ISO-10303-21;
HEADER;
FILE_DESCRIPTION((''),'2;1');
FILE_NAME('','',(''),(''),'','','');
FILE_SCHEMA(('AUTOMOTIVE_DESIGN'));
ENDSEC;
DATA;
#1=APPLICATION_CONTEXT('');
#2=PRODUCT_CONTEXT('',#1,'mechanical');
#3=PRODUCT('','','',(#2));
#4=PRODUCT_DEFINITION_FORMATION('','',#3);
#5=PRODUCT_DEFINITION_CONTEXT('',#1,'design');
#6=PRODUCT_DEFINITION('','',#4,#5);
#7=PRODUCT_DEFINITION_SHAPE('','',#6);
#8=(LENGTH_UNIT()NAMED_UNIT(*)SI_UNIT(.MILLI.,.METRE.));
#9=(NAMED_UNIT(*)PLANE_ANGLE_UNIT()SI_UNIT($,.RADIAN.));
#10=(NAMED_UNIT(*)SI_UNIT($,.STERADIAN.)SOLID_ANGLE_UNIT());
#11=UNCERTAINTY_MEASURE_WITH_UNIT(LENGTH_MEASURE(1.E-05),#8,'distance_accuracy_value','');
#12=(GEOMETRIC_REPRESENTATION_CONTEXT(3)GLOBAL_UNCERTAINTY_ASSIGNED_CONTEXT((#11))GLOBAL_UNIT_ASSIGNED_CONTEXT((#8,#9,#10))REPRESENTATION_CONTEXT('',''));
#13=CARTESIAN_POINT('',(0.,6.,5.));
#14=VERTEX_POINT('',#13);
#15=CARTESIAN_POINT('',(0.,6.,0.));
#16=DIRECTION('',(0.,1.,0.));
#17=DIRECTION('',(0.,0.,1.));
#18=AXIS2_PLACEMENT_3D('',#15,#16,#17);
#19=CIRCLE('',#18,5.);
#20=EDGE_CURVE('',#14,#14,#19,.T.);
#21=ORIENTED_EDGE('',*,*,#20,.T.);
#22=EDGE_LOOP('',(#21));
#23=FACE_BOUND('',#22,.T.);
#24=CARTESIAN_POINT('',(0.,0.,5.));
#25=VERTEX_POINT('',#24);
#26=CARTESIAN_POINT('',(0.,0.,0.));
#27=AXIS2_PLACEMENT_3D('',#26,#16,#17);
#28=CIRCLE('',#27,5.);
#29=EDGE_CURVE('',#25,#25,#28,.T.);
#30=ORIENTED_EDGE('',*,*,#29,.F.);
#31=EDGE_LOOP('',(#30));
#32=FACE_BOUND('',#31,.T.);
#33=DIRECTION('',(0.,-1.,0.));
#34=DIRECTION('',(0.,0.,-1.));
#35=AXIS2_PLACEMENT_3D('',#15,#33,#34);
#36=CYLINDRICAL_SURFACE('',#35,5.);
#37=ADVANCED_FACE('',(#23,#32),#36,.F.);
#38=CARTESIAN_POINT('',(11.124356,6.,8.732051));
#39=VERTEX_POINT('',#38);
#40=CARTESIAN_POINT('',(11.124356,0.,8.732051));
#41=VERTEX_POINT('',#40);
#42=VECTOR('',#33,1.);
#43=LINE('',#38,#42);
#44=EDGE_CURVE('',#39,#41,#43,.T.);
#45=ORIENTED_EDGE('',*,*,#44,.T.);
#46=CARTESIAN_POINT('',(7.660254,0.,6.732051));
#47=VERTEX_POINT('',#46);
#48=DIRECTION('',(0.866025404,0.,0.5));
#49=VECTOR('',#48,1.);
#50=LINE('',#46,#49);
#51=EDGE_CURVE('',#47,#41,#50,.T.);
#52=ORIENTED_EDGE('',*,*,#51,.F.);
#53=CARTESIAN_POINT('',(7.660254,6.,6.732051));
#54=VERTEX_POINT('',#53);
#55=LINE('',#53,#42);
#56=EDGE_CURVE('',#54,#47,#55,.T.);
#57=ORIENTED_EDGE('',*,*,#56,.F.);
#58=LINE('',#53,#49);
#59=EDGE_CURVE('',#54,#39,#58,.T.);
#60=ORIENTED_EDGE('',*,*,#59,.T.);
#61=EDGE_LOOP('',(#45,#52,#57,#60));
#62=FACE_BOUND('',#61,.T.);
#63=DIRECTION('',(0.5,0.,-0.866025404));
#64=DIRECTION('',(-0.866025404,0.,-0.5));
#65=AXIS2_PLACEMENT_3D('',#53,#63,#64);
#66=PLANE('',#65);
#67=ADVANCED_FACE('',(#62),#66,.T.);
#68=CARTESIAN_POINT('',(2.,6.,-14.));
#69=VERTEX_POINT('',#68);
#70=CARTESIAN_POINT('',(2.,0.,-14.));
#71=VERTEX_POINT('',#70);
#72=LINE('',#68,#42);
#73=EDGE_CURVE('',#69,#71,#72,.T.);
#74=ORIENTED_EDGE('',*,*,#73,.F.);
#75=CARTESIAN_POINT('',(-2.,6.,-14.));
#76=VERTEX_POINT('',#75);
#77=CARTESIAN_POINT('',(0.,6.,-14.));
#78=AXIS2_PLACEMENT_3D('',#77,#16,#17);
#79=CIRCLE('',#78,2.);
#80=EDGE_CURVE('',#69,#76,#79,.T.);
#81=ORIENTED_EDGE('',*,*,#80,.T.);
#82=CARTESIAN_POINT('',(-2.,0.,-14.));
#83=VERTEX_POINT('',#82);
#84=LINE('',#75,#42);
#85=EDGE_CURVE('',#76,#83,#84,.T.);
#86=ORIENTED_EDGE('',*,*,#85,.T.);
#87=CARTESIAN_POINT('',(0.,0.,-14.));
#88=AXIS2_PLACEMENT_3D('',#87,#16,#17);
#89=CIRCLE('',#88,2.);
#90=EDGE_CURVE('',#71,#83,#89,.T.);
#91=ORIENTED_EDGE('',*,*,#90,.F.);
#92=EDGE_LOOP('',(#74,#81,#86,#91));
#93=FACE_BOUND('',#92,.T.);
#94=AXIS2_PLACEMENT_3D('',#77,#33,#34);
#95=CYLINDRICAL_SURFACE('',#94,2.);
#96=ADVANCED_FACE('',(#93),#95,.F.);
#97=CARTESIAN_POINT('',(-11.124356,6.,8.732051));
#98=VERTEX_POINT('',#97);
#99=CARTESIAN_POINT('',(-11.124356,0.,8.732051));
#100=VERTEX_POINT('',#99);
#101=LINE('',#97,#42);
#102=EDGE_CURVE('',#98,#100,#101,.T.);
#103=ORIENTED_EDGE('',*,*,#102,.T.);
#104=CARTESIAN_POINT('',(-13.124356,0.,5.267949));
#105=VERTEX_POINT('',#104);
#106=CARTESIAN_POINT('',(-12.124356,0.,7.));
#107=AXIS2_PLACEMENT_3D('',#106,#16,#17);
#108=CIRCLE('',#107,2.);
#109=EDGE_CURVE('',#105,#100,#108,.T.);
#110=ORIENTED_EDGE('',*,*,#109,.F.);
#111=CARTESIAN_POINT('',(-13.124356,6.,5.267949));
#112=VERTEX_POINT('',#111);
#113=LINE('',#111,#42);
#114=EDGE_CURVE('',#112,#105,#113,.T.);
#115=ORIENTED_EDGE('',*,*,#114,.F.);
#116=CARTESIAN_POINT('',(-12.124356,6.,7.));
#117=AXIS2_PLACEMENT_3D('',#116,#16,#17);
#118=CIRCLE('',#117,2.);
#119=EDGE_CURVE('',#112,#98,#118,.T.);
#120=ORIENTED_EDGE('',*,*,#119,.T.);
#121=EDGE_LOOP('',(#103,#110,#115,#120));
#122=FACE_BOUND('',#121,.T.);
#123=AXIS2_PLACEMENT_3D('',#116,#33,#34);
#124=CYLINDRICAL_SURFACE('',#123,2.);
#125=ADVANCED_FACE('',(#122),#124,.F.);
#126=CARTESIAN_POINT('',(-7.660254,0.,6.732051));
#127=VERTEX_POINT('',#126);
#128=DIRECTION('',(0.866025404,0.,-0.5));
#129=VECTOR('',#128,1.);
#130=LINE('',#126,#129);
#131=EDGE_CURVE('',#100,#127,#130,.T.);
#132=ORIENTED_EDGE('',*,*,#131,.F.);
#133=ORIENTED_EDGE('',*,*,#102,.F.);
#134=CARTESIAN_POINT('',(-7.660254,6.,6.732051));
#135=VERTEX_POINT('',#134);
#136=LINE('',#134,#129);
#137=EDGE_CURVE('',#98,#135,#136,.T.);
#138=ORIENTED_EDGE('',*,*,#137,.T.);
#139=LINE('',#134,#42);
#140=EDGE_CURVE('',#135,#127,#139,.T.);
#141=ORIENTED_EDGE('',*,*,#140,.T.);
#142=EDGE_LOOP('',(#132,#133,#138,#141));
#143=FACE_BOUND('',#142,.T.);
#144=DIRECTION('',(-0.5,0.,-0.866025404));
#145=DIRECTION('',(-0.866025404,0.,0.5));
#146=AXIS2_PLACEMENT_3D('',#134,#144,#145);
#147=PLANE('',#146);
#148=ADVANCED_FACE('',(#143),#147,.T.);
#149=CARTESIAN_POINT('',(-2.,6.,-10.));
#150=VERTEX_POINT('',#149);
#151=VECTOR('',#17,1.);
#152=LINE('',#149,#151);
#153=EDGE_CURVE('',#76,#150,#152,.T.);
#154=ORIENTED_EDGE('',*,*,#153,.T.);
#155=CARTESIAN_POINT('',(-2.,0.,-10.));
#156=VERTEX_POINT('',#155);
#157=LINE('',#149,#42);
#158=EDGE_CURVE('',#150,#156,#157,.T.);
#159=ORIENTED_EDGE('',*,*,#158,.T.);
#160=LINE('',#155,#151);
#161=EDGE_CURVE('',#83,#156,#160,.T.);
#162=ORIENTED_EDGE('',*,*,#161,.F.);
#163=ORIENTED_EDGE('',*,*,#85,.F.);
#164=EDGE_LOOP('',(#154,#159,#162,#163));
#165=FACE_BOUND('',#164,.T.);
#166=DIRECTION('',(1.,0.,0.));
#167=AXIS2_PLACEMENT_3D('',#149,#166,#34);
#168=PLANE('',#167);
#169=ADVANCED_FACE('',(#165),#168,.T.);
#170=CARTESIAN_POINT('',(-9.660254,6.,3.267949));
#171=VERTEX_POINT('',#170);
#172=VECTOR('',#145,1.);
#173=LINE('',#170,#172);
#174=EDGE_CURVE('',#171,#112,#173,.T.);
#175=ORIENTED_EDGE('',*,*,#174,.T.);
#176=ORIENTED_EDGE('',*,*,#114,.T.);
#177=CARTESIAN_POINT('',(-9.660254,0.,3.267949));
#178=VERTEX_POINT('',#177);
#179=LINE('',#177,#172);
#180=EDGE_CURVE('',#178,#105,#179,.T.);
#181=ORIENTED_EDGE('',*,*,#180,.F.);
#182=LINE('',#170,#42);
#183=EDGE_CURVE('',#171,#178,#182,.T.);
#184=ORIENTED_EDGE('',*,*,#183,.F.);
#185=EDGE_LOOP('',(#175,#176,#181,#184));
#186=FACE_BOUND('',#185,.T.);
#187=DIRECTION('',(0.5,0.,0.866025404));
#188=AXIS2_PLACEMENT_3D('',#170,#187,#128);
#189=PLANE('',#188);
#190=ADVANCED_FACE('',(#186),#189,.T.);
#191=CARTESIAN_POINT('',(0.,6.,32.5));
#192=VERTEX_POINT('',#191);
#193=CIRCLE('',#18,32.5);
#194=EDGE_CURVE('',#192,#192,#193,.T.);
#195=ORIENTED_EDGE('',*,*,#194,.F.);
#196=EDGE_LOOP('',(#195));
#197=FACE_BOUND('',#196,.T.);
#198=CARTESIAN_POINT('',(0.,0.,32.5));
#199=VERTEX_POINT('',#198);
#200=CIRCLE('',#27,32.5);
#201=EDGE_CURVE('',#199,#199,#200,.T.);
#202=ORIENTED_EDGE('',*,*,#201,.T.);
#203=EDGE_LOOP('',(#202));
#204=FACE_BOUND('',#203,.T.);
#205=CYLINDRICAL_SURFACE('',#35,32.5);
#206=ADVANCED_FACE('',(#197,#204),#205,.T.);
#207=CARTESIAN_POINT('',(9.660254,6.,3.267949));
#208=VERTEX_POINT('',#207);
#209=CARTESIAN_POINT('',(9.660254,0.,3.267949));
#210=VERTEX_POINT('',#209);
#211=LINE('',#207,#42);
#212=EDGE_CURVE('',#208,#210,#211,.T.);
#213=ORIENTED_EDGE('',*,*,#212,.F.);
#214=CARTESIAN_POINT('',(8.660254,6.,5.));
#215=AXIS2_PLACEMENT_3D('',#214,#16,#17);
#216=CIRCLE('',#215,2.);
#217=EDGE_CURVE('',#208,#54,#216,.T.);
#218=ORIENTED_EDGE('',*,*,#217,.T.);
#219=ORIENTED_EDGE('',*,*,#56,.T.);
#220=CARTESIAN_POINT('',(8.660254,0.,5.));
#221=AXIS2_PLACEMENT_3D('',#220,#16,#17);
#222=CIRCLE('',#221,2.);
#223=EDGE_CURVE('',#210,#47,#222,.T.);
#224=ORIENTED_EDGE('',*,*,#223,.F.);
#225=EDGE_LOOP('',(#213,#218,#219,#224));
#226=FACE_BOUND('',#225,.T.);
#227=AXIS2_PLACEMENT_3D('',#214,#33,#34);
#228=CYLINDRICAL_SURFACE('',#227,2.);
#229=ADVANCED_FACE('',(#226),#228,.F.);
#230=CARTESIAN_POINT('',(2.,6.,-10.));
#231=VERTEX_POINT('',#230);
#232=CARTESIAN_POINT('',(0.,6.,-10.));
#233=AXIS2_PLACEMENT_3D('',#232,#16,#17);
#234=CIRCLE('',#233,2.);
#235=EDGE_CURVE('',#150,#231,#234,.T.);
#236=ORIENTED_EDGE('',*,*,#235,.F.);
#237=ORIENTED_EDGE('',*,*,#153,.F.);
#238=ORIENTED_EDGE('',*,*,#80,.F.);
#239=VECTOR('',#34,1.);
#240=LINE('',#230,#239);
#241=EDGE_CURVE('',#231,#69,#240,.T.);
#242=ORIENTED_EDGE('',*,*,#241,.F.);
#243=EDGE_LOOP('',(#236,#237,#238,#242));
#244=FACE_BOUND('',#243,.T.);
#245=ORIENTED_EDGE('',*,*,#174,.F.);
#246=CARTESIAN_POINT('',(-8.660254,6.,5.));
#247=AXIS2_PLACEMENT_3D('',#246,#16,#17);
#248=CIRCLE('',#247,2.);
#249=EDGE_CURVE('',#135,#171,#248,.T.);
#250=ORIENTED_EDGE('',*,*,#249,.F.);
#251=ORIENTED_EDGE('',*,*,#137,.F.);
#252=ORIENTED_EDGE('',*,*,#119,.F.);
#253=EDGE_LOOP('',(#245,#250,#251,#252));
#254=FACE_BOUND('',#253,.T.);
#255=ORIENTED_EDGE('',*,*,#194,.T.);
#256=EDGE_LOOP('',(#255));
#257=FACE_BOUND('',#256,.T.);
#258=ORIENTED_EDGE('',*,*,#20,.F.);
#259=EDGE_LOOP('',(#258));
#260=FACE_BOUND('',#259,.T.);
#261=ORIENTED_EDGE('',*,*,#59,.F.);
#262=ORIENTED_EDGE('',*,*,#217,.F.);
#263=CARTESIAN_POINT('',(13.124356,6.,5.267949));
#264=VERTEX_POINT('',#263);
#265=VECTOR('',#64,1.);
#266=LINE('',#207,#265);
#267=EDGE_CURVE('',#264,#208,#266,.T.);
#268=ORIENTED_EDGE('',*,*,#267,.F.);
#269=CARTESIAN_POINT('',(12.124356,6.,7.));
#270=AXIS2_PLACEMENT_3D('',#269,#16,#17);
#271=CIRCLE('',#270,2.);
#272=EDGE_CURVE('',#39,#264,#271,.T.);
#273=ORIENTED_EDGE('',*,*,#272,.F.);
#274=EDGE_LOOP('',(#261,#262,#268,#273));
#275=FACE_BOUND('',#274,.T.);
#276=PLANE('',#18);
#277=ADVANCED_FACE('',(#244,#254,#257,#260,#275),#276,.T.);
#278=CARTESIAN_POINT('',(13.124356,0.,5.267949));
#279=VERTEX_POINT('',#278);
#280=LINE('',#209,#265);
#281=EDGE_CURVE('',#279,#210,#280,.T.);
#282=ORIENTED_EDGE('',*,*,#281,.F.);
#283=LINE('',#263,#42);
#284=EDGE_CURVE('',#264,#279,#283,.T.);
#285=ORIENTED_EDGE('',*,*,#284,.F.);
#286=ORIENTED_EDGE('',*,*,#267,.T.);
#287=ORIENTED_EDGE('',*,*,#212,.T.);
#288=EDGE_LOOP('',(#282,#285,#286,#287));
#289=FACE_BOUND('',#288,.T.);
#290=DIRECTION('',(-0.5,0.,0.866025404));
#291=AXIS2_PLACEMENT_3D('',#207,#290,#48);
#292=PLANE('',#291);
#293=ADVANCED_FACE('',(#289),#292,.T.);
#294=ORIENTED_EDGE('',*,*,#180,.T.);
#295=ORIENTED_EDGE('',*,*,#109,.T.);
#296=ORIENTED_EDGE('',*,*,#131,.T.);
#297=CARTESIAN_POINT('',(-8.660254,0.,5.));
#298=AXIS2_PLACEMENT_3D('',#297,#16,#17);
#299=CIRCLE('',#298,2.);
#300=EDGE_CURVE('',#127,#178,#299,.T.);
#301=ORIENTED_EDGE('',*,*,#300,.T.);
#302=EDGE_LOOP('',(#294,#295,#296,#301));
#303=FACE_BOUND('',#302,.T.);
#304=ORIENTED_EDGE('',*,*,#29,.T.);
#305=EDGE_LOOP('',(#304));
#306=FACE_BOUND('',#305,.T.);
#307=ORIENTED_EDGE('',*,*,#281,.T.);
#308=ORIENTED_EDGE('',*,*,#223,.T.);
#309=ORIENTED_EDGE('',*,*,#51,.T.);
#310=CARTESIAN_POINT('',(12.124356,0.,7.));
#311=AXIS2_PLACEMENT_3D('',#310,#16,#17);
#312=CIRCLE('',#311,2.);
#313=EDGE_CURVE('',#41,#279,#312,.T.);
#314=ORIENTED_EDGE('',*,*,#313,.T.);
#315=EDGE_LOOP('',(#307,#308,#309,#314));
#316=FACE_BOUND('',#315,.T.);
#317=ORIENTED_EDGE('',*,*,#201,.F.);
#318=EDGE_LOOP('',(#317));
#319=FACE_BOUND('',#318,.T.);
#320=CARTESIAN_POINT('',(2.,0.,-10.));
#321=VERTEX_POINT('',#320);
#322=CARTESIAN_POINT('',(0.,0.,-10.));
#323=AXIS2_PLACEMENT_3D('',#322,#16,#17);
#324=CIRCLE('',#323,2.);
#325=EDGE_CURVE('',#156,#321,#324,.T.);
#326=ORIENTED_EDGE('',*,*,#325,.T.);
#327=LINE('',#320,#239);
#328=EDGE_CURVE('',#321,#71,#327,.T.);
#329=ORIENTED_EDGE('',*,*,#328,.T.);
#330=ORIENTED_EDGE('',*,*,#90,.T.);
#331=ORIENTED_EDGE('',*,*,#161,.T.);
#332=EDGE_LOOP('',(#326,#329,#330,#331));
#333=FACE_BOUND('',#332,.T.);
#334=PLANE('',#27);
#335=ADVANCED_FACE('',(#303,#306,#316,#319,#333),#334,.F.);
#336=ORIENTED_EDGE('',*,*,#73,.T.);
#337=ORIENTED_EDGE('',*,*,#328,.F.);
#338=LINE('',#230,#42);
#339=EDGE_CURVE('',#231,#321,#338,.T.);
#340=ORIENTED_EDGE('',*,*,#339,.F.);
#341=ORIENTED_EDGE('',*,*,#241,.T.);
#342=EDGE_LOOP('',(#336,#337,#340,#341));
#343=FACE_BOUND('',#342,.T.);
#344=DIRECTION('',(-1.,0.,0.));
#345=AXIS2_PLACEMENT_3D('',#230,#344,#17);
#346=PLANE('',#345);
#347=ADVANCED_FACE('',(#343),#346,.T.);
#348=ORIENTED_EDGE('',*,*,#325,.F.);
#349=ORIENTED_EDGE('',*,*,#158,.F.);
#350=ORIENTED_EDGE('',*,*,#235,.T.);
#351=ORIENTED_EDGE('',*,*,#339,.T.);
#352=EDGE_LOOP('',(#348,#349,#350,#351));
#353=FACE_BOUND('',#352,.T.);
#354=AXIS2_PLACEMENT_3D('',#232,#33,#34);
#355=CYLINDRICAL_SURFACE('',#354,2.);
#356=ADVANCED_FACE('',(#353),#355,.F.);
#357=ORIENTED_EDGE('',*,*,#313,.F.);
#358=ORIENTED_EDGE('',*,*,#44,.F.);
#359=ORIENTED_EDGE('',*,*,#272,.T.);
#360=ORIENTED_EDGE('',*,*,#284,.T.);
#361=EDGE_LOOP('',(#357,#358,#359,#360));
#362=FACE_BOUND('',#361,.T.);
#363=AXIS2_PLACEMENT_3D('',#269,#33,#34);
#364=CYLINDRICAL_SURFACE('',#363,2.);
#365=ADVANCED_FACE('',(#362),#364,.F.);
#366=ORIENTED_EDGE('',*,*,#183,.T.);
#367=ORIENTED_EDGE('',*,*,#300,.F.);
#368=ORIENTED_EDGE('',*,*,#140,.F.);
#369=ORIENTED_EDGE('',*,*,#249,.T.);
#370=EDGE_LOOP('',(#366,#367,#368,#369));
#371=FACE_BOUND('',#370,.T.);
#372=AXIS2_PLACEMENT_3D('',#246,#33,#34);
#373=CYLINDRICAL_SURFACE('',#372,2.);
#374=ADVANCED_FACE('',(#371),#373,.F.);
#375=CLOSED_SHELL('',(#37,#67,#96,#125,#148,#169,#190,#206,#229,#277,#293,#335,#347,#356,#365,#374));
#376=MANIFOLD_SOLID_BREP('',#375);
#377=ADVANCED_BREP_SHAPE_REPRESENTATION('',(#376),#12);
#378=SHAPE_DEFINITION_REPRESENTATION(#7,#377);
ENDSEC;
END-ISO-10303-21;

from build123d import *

# Parameters (mm, degrees)
SKETCH1_R           = 32.5
SKETCH1_R_2         = 5
BOSS_EXTRUDE1_DEPTH = 6


with BuildPart() as part:
    # Sketch1 → Boss-Extrude1 (new body)
    with BuildSketch(Plane(origin=(0, 0, 0), x_dir=(1, 0, 0), z_dir=(0, 1, 0))):
        with Locations(Location((0, 0, 0), (0, 0, 270))):
            Circle(SKETCH1_R)
        with Locations(Location((0, 0, 0), (0, 0, 270))):
            Circle(SKETCH1_R_2, mode=Mode.SUBTRACT)
        with BuildLine():
            Line((-2, 10), (-2, 14))
            ThreePointArc((-2, 14), (0, 16), (2, 14))
            Line((2, 14), (2, 10))
            ThreePointArc((2, 10), (0, 8), (-2, 10))
        make_face(mode=Mode.SUBTRACT)
        with BuildLine():
            Line((9.660254038, -3.267949192), (13.124355653, -5.267949192))
            ThreePointArc((13.124355653, -5.267949192), (13.856406461, -8), (11.124355653, -8.732050808))
            Line((11.124355653, -8.732050808), (7.660254038, -6.732050808))
            ThreePointArc((7.660254038, -6.732050808), (6.92820323, -4), (9.660254038, -3.267949192))
        make_face(mode=Mode.SUBTRACT)
        with BuildLine():
            Line((-7.660254038, -6.732050808), (-11.124355653, -8.732050808))
            ThreePointArc((-11.124355653, -8.732050808), (-13.856406461, -8), (-13.124355653, -5.267949192))
            Line((-13.124355653, -5.267949192), (-9.660254038, -3.267949192))
            ThreePointArc((-9.660254038, -3.267949192), (-6.92820323, -4), (-7.660254038, -6.732050808))
        make_face(mode=Mode.SUBTRACT)
    extrude(amount=BOSS_EXTRUDE1_DEPTH)


solid = part.part
